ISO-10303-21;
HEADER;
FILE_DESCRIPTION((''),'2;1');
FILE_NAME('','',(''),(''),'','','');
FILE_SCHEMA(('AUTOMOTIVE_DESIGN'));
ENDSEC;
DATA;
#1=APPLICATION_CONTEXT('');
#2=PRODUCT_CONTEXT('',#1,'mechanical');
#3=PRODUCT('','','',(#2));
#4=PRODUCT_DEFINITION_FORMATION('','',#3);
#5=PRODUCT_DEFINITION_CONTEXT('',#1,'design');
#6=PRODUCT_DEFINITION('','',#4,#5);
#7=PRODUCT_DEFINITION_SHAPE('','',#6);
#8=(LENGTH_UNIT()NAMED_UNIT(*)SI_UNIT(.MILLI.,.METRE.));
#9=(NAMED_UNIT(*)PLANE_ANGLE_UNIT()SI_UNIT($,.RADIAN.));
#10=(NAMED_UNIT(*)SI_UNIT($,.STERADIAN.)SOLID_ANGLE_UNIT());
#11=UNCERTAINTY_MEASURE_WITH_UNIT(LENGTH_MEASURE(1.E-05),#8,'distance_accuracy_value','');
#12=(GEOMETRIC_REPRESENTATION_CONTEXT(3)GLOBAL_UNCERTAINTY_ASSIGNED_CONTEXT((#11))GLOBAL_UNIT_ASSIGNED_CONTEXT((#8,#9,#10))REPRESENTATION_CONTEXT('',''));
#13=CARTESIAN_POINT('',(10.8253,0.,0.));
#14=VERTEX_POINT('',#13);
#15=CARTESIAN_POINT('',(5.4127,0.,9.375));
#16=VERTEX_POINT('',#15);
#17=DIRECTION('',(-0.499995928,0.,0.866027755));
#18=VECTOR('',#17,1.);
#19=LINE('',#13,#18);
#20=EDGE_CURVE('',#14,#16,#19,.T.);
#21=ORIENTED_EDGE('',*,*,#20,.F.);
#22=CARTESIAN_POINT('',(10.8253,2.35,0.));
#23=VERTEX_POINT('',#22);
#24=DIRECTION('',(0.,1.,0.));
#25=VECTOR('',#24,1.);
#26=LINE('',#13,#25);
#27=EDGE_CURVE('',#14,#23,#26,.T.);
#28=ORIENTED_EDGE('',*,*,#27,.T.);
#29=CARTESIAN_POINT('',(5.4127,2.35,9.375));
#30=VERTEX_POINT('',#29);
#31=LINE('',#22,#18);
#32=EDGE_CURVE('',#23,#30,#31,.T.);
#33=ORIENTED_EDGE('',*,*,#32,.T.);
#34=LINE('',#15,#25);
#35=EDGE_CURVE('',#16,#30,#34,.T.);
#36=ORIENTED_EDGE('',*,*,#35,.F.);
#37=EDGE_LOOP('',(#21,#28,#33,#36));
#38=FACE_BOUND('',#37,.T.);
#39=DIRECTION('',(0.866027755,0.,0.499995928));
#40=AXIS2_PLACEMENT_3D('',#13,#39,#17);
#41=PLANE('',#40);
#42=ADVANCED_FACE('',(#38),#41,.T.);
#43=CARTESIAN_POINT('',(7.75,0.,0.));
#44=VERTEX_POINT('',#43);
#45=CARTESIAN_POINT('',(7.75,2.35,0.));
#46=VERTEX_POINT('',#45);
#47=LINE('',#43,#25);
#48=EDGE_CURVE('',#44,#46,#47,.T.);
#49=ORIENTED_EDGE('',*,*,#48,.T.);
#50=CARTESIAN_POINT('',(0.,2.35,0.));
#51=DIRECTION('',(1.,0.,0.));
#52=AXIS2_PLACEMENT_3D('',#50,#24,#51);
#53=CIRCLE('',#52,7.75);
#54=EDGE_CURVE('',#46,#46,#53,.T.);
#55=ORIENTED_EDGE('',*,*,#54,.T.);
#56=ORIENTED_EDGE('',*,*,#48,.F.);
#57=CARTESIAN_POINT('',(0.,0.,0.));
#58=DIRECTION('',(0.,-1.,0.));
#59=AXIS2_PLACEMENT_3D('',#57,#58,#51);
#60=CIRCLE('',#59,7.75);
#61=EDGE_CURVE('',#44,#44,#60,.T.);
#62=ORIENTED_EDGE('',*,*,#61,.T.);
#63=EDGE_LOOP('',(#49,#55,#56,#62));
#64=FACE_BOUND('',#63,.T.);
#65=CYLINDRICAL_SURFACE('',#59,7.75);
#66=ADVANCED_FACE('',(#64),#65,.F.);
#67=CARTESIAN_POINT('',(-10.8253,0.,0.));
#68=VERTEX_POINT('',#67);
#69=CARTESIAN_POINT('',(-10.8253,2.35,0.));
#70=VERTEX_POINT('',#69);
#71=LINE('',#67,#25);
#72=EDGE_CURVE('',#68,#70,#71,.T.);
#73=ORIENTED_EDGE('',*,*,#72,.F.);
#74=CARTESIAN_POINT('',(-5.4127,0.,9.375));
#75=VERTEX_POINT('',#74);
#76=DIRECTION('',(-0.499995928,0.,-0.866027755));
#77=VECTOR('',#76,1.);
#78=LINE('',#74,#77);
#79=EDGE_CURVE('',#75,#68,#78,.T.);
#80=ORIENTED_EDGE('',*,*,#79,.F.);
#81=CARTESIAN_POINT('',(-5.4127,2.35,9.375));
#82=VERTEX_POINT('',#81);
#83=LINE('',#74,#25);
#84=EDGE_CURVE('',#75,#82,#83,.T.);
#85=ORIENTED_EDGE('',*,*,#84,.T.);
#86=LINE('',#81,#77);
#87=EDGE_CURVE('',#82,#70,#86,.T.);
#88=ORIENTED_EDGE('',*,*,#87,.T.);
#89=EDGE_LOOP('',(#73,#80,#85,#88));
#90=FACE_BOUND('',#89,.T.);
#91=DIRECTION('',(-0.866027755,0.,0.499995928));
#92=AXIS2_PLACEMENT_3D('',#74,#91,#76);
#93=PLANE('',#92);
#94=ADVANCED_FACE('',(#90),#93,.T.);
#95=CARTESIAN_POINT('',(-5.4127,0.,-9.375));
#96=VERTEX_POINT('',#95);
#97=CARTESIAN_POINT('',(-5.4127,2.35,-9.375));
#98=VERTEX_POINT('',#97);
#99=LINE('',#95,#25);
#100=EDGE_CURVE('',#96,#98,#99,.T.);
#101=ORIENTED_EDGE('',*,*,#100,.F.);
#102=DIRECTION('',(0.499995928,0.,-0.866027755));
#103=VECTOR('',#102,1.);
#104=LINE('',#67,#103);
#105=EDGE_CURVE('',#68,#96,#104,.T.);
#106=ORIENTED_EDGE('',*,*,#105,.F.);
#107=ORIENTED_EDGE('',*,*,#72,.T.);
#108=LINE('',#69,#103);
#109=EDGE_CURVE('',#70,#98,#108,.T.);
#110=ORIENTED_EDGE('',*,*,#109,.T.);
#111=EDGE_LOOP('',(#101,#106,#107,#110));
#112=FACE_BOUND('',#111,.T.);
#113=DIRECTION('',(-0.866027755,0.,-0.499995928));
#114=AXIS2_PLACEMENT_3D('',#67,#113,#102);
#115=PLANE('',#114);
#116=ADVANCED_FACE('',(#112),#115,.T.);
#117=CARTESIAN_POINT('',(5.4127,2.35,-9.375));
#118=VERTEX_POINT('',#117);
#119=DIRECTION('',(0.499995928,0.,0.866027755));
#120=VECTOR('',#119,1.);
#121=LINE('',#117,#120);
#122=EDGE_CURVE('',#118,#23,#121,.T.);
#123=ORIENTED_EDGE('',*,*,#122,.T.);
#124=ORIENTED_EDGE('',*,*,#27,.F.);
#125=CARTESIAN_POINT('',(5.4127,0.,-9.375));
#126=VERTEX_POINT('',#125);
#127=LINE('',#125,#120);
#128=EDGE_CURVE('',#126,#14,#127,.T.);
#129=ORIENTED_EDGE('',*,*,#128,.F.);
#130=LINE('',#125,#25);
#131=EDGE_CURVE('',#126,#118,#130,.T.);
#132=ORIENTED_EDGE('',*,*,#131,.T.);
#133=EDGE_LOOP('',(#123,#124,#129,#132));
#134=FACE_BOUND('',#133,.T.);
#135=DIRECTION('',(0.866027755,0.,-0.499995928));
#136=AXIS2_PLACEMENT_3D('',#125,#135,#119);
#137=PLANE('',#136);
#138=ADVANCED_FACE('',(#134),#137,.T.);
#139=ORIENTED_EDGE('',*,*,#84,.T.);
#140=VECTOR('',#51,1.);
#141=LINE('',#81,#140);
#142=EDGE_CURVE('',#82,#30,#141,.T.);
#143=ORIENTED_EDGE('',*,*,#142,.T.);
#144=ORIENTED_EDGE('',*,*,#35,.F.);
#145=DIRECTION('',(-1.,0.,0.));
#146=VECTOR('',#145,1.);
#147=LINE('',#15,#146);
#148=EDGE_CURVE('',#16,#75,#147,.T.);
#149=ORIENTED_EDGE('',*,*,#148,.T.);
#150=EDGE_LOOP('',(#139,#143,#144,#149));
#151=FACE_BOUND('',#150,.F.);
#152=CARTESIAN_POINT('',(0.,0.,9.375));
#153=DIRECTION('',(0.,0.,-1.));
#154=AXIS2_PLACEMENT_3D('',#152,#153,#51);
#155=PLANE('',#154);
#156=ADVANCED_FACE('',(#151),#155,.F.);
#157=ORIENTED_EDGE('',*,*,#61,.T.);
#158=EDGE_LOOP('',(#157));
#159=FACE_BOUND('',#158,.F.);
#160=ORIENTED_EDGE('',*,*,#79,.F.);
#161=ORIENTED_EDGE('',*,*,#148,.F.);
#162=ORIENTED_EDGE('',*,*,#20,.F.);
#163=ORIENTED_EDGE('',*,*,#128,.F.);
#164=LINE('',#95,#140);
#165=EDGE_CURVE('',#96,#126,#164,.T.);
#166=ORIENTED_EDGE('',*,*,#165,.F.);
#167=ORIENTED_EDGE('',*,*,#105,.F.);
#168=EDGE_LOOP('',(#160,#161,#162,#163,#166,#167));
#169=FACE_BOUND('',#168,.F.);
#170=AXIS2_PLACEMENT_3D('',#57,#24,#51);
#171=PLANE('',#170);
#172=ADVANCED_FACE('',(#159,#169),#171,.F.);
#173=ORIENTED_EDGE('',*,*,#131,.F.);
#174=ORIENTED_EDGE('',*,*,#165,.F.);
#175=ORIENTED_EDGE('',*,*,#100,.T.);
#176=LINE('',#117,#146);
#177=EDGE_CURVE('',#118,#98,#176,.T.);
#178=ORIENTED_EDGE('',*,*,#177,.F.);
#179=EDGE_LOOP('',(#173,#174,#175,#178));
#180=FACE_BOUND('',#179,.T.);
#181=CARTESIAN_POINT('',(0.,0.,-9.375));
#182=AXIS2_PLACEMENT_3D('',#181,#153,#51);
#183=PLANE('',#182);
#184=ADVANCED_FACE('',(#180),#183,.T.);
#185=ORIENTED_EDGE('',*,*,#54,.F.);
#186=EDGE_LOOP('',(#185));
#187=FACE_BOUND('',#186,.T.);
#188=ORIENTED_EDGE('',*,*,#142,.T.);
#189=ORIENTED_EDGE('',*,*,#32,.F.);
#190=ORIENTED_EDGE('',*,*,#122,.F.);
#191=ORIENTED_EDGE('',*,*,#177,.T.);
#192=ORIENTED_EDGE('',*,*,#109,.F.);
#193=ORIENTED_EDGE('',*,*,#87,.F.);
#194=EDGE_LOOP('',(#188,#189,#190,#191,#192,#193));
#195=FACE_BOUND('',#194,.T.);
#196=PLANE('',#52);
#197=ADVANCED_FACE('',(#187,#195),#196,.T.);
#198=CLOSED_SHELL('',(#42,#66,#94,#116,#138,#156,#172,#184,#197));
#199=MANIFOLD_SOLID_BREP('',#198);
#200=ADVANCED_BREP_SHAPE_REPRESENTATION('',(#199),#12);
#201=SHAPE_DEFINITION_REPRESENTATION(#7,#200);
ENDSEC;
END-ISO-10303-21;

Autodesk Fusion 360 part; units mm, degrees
sketch "Sketch1" plane through (0, 0, 0) normal (0, 1, 0) x (1, 0, 0)
  circle A0 centre (0, 0) radius 7.75
  line L0 (0, 0) -> (0, -11)
  line L1 (0, 0) -> (0, 11)
  line L2 (0, -9.375) -> (-5.4127, -9.375)
  line L3 (-5.4127, -9.375) -> (-10.8253, 0)
  line L4 (-10.8253, 0) -> (-5.4127, 9.375)
  line L5 (-5.4127, 9.375) -> (0, 9.375)
  line L6 (0, 9.375) -> (5.4127, 9.375)
  line L7 (5.4127, 9.375) -> (10.8253, 0)
  line L8 (10.8253, 0) -> (5.4127, -9.375)
  line L9 (0, -9.375) -> (5.4127, -9.375)
  dimension "d1" = 15.5
  dimension "d2" = 11
  dimension "d3" = 11
  dimension "d4" = 18.75
  dimension "d5" = 9.375
  dimension "d6" = 9.375
  dimension "d7" = 9.375
  dimension "d11" = 120
  dimension "d12" = 120
  dimension "d13" = 9.375
  dimension "d14" = 9.375
extrude "Extrude1" add sketch "Sketch1" along normal blind 2.35 contours A0 L0 L1 L6 L7 L8 L9 | A0 L0 L1 L2 L3 L4 L5
equation "d3 = d2"
equation "d5 = ( 18.75 / 2 ) * 1 mm"
equation "d6 = d5"
equation "d7 = d5"
equation "d12 = d11"
equation "d13 = d5"
equation "d14 = d5"
